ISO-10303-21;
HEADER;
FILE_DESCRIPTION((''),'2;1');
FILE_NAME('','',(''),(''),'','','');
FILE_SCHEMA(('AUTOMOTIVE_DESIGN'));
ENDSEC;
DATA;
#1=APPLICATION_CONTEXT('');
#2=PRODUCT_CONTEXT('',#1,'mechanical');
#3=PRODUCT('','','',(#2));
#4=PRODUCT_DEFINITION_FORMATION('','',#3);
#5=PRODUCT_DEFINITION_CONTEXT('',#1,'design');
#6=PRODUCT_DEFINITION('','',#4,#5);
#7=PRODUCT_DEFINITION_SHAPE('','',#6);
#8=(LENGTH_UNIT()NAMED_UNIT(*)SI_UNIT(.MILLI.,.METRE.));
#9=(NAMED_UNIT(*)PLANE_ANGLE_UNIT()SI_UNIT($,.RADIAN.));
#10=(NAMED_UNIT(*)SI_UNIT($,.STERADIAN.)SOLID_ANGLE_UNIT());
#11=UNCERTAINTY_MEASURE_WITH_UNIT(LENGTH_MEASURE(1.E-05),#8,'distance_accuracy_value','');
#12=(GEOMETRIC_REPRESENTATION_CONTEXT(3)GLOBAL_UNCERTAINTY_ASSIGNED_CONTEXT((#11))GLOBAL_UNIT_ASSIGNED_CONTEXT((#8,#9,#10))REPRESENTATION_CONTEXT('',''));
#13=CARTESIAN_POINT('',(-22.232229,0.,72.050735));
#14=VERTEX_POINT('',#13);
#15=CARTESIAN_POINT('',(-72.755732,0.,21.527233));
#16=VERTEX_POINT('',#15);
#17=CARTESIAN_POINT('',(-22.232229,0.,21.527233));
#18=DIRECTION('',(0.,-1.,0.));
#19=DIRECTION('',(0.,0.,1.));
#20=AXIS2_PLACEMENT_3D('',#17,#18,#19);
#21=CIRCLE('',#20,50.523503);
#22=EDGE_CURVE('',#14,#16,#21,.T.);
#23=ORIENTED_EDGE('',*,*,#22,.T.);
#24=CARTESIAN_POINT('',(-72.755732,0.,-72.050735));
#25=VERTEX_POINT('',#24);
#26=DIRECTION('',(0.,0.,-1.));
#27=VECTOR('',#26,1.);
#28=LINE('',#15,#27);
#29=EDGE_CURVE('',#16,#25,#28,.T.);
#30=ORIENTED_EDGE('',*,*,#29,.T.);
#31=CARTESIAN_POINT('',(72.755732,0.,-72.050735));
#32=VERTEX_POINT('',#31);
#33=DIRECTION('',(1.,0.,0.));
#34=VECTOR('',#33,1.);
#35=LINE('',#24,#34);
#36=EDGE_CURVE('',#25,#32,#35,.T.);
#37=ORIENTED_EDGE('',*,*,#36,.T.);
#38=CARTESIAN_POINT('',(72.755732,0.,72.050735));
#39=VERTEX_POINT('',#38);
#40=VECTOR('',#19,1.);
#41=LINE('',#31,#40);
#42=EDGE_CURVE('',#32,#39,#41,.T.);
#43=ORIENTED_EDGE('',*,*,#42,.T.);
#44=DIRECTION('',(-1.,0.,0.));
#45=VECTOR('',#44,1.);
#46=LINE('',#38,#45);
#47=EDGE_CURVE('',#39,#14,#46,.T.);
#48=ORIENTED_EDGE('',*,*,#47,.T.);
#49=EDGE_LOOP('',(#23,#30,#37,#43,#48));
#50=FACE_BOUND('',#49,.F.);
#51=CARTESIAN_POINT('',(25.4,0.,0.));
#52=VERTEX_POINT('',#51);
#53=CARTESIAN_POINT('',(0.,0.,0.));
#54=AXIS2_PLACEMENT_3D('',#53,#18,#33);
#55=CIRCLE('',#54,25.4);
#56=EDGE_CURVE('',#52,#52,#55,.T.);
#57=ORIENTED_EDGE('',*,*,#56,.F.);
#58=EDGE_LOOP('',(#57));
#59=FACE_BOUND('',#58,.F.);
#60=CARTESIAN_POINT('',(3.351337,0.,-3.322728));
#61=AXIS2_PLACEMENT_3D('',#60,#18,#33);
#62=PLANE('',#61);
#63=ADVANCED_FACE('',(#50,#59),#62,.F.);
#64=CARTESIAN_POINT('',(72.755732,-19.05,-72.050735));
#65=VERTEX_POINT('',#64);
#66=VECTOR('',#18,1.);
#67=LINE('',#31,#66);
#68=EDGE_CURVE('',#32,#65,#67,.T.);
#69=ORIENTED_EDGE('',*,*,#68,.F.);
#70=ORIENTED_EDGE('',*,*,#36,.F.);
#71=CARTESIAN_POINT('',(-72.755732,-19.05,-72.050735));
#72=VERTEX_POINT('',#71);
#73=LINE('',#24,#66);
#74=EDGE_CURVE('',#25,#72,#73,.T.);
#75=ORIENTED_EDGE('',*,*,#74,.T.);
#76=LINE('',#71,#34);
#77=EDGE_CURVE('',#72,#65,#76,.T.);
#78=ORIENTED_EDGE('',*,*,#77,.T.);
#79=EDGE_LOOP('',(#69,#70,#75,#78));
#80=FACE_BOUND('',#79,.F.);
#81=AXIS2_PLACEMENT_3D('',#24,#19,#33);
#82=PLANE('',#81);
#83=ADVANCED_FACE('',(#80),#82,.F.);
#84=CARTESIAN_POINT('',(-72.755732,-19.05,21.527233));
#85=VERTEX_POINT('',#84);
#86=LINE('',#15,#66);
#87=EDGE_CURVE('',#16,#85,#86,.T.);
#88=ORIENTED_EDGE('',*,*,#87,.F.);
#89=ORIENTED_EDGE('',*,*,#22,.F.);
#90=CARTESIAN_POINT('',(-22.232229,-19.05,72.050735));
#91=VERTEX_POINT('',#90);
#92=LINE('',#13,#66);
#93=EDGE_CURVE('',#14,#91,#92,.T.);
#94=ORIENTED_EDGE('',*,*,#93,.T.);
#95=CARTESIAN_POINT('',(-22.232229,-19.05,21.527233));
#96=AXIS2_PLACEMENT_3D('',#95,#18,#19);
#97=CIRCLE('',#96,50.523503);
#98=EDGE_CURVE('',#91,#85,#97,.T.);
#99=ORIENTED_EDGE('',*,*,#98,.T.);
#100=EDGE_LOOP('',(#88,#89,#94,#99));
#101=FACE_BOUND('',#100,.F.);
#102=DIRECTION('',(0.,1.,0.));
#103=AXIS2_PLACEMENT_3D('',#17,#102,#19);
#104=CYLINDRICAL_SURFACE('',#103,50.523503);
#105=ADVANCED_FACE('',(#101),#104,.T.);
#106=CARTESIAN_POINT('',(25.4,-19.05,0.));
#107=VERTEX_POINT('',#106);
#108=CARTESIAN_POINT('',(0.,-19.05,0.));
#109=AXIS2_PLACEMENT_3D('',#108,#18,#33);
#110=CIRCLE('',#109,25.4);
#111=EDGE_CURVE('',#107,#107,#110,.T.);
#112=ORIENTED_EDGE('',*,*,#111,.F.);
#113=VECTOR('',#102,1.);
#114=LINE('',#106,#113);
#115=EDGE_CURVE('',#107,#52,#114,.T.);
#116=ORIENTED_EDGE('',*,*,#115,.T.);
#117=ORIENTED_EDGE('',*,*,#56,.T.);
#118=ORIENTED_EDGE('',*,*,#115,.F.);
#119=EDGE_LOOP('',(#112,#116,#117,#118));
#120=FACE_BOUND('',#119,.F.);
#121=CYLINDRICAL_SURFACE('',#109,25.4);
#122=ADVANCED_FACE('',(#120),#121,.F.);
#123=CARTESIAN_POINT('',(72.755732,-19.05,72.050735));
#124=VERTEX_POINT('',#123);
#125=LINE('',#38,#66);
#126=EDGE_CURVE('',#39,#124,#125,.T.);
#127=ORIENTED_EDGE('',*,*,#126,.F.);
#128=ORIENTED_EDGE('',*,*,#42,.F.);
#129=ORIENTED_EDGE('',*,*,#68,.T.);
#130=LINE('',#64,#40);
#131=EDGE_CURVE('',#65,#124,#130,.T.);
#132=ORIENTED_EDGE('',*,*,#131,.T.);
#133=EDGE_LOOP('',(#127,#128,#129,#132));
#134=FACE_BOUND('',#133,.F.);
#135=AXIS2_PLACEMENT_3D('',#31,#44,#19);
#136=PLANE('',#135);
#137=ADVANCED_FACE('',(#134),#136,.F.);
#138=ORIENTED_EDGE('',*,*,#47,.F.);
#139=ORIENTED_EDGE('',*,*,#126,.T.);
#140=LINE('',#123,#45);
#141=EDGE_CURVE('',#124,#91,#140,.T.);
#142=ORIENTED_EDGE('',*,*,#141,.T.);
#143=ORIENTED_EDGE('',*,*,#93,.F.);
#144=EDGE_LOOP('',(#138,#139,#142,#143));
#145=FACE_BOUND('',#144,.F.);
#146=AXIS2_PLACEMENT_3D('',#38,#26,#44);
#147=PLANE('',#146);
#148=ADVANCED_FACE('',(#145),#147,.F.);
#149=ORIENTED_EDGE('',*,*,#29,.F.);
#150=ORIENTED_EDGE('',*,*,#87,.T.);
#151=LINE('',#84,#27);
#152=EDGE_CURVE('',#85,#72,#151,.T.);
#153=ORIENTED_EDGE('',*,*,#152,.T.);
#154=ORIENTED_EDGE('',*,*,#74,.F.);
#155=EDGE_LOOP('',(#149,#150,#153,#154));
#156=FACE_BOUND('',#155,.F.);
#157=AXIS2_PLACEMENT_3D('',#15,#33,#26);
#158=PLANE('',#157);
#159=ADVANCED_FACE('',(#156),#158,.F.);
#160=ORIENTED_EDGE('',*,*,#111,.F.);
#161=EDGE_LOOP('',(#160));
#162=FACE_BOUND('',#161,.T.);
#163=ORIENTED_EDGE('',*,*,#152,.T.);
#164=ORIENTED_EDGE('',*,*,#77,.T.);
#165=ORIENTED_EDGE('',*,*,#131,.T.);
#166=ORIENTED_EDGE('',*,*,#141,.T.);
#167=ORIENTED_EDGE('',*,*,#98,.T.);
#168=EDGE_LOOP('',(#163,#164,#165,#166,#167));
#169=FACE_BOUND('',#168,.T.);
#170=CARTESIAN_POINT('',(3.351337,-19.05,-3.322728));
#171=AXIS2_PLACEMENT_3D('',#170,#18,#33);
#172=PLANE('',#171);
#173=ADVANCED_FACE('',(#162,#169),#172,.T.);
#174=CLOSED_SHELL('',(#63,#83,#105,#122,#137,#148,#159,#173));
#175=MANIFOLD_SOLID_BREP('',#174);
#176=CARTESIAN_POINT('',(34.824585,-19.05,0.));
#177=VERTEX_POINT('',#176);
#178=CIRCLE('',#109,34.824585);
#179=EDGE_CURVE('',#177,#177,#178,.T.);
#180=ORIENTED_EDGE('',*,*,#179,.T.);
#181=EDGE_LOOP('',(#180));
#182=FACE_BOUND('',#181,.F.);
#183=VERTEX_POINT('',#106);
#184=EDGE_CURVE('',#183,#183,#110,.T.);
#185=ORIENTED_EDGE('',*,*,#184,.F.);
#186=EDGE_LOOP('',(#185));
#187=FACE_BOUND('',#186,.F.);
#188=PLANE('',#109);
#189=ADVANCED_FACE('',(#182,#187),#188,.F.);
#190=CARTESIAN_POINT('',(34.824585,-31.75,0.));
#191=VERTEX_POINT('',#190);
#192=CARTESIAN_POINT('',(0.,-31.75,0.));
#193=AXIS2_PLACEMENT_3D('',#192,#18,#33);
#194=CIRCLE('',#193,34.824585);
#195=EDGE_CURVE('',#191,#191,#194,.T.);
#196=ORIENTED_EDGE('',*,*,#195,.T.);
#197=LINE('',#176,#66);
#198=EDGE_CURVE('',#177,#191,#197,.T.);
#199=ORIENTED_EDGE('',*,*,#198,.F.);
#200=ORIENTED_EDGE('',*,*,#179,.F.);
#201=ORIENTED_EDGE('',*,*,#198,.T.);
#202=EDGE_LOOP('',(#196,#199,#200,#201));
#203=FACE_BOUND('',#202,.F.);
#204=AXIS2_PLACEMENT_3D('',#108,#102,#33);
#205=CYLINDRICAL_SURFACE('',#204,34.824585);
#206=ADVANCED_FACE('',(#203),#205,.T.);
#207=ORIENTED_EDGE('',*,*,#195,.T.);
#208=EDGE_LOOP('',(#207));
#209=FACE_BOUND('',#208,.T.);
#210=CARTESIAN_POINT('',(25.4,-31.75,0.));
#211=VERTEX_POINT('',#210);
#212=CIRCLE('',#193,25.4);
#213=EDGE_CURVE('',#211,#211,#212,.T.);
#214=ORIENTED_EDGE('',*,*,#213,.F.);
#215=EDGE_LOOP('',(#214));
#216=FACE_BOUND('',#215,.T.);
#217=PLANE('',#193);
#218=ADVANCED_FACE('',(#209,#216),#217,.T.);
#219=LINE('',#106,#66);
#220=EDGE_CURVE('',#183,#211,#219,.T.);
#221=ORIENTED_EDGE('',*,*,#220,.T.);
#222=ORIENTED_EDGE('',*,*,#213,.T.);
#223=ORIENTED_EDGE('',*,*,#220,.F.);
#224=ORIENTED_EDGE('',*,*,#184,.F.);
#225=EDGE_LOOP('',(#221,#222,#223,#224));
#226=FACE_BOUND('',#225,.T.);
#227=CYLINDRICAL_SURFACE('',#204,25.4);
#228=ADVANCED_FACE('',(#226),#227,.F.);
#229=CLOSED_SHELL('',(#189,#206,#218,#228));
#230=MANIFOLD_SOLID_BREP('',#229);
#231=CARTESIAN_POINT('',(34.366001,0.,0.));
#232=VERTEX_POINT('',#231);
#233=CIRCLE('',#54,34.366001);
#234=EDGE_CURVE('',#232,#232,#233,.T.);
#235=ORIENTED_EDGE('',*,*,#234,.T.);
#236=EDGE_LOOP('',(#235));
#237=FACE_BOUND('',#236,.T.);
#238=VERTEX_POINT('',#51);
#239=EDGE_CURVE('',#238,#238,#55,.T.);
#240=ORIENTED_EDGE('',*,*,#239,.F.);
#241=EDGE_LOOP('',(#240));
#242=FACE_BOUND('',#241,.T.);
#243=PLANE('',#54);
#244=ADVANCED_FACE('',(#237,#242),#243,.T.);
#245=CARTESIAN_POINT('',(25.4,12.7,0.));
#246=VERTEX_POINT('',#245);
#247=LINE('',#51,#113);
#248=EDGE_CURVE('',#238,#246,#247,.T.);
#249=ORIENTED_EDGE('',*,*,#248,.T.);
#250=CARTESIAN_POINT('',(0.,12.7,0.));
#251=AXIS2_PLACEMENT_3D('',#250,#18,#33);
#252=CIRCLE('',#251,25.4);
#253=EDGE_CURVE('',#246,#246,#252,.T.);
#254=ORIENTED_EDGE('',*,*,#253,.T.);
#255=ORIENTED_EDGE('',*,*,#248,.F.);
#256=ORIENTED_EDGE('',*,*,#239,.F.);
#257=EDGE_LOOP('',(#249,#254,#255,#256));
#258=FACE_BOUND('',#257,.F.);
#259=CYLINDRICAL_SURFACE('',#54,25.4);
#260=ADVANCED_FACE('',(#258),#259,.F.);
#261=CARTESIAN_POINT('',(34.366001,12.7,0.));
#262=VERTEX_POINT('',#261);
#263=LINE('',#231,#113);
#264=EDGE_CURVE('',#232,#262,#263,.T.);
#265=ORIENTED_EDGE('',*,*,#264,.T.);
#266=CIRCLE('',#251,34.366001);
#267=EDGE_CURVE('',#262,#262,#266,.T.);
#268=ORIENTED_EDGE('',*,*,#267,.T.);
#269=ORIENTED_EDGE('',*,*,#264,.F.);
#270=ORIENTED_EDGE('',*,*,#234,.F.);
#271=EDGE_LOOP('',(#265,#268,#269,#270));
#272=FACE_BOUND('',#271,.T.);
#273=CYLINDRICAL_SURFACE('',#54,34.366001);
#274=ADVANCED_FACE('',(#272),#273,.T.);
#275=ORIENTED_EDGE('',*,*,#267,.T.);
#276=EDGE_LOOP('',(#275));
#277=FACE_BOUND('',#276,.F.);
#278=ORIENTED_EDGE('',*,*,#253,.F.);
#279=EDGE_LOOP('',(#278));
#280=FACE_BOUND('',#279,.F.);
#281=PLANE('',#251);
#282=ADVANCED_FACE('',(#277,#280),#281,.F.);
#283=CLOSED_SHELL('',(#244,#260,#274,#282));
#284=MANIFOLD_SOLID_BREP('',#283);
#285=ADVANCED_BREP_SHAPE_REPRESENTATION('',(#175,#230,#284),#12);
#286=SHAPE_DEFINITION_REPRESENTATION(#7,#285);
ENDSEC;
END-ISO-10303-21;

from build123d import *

# Parameters (mm, degrees)
F1_DEPTH = 19.05
F2_R     = 25.4
F3_DEPTH = 19.051
F4_R     = 34.8245853093
F4_R_2   = 25.4
F5_DEPTH = 12.7
F6_R     = 34.3660006983
F6_R_2   = 25.4
F7_DEPTH = 12.7


with BuildPart() as f1:
    # F0 (on Front) → F1 (new body)
    with BuildSketch(Plane.XZ):
        with BuildLine():
            Line((72.7557316422, 72.0507353544), (-22.2322288666, 72.0507353544))
            ThreePointArc((-22.2322288666, 72.0507353544), (-57.9577402886, 57.2527440007), (-72.7557316422, 21.5272325788))
            Line((-72.7557316422, 21.5272325788), (-72.7557316422, -72.0507353544))
            Line((-72.7557316422, -72.0507353544), (72.7557316422, -72.0507353544))
            Line((72.7557316422, -72.0507353544), (72.7557316422, 72.0507353544))
        make_face()
    extrude(amount=F1_DEPTH)

    # F2 (on face) → F3 (cut, through all)
    with BuildSketch(Plane.XZ.offset(19.05)):
        Circle(F2_R)
    extrude(amount=-F3_DEPTH, mode=Mode.SUBTRACT)


with BuildPart() as f5:
    # F4 (on face) → F5 (new body)
    with BuildSketch(Plane.XZ.offset(19.05)):
        Circle(F4_R)
        Circle(F4_R_2, mode=Mode.SUBTRACT)
    extrude(amount=F5_DEPTH)


with BuildPart() as f7:
    # F6 (on Front) → F7 (new body)
    with BuildSketch(Plane.XZ):
        Circle(F6_R)
        Circle(F6_R_2, mode=Mode.SUBTRACT)
    extrude(amount=-F7_DEPTH)


solid = Compound([f1.part, f5.part, f7.part])
